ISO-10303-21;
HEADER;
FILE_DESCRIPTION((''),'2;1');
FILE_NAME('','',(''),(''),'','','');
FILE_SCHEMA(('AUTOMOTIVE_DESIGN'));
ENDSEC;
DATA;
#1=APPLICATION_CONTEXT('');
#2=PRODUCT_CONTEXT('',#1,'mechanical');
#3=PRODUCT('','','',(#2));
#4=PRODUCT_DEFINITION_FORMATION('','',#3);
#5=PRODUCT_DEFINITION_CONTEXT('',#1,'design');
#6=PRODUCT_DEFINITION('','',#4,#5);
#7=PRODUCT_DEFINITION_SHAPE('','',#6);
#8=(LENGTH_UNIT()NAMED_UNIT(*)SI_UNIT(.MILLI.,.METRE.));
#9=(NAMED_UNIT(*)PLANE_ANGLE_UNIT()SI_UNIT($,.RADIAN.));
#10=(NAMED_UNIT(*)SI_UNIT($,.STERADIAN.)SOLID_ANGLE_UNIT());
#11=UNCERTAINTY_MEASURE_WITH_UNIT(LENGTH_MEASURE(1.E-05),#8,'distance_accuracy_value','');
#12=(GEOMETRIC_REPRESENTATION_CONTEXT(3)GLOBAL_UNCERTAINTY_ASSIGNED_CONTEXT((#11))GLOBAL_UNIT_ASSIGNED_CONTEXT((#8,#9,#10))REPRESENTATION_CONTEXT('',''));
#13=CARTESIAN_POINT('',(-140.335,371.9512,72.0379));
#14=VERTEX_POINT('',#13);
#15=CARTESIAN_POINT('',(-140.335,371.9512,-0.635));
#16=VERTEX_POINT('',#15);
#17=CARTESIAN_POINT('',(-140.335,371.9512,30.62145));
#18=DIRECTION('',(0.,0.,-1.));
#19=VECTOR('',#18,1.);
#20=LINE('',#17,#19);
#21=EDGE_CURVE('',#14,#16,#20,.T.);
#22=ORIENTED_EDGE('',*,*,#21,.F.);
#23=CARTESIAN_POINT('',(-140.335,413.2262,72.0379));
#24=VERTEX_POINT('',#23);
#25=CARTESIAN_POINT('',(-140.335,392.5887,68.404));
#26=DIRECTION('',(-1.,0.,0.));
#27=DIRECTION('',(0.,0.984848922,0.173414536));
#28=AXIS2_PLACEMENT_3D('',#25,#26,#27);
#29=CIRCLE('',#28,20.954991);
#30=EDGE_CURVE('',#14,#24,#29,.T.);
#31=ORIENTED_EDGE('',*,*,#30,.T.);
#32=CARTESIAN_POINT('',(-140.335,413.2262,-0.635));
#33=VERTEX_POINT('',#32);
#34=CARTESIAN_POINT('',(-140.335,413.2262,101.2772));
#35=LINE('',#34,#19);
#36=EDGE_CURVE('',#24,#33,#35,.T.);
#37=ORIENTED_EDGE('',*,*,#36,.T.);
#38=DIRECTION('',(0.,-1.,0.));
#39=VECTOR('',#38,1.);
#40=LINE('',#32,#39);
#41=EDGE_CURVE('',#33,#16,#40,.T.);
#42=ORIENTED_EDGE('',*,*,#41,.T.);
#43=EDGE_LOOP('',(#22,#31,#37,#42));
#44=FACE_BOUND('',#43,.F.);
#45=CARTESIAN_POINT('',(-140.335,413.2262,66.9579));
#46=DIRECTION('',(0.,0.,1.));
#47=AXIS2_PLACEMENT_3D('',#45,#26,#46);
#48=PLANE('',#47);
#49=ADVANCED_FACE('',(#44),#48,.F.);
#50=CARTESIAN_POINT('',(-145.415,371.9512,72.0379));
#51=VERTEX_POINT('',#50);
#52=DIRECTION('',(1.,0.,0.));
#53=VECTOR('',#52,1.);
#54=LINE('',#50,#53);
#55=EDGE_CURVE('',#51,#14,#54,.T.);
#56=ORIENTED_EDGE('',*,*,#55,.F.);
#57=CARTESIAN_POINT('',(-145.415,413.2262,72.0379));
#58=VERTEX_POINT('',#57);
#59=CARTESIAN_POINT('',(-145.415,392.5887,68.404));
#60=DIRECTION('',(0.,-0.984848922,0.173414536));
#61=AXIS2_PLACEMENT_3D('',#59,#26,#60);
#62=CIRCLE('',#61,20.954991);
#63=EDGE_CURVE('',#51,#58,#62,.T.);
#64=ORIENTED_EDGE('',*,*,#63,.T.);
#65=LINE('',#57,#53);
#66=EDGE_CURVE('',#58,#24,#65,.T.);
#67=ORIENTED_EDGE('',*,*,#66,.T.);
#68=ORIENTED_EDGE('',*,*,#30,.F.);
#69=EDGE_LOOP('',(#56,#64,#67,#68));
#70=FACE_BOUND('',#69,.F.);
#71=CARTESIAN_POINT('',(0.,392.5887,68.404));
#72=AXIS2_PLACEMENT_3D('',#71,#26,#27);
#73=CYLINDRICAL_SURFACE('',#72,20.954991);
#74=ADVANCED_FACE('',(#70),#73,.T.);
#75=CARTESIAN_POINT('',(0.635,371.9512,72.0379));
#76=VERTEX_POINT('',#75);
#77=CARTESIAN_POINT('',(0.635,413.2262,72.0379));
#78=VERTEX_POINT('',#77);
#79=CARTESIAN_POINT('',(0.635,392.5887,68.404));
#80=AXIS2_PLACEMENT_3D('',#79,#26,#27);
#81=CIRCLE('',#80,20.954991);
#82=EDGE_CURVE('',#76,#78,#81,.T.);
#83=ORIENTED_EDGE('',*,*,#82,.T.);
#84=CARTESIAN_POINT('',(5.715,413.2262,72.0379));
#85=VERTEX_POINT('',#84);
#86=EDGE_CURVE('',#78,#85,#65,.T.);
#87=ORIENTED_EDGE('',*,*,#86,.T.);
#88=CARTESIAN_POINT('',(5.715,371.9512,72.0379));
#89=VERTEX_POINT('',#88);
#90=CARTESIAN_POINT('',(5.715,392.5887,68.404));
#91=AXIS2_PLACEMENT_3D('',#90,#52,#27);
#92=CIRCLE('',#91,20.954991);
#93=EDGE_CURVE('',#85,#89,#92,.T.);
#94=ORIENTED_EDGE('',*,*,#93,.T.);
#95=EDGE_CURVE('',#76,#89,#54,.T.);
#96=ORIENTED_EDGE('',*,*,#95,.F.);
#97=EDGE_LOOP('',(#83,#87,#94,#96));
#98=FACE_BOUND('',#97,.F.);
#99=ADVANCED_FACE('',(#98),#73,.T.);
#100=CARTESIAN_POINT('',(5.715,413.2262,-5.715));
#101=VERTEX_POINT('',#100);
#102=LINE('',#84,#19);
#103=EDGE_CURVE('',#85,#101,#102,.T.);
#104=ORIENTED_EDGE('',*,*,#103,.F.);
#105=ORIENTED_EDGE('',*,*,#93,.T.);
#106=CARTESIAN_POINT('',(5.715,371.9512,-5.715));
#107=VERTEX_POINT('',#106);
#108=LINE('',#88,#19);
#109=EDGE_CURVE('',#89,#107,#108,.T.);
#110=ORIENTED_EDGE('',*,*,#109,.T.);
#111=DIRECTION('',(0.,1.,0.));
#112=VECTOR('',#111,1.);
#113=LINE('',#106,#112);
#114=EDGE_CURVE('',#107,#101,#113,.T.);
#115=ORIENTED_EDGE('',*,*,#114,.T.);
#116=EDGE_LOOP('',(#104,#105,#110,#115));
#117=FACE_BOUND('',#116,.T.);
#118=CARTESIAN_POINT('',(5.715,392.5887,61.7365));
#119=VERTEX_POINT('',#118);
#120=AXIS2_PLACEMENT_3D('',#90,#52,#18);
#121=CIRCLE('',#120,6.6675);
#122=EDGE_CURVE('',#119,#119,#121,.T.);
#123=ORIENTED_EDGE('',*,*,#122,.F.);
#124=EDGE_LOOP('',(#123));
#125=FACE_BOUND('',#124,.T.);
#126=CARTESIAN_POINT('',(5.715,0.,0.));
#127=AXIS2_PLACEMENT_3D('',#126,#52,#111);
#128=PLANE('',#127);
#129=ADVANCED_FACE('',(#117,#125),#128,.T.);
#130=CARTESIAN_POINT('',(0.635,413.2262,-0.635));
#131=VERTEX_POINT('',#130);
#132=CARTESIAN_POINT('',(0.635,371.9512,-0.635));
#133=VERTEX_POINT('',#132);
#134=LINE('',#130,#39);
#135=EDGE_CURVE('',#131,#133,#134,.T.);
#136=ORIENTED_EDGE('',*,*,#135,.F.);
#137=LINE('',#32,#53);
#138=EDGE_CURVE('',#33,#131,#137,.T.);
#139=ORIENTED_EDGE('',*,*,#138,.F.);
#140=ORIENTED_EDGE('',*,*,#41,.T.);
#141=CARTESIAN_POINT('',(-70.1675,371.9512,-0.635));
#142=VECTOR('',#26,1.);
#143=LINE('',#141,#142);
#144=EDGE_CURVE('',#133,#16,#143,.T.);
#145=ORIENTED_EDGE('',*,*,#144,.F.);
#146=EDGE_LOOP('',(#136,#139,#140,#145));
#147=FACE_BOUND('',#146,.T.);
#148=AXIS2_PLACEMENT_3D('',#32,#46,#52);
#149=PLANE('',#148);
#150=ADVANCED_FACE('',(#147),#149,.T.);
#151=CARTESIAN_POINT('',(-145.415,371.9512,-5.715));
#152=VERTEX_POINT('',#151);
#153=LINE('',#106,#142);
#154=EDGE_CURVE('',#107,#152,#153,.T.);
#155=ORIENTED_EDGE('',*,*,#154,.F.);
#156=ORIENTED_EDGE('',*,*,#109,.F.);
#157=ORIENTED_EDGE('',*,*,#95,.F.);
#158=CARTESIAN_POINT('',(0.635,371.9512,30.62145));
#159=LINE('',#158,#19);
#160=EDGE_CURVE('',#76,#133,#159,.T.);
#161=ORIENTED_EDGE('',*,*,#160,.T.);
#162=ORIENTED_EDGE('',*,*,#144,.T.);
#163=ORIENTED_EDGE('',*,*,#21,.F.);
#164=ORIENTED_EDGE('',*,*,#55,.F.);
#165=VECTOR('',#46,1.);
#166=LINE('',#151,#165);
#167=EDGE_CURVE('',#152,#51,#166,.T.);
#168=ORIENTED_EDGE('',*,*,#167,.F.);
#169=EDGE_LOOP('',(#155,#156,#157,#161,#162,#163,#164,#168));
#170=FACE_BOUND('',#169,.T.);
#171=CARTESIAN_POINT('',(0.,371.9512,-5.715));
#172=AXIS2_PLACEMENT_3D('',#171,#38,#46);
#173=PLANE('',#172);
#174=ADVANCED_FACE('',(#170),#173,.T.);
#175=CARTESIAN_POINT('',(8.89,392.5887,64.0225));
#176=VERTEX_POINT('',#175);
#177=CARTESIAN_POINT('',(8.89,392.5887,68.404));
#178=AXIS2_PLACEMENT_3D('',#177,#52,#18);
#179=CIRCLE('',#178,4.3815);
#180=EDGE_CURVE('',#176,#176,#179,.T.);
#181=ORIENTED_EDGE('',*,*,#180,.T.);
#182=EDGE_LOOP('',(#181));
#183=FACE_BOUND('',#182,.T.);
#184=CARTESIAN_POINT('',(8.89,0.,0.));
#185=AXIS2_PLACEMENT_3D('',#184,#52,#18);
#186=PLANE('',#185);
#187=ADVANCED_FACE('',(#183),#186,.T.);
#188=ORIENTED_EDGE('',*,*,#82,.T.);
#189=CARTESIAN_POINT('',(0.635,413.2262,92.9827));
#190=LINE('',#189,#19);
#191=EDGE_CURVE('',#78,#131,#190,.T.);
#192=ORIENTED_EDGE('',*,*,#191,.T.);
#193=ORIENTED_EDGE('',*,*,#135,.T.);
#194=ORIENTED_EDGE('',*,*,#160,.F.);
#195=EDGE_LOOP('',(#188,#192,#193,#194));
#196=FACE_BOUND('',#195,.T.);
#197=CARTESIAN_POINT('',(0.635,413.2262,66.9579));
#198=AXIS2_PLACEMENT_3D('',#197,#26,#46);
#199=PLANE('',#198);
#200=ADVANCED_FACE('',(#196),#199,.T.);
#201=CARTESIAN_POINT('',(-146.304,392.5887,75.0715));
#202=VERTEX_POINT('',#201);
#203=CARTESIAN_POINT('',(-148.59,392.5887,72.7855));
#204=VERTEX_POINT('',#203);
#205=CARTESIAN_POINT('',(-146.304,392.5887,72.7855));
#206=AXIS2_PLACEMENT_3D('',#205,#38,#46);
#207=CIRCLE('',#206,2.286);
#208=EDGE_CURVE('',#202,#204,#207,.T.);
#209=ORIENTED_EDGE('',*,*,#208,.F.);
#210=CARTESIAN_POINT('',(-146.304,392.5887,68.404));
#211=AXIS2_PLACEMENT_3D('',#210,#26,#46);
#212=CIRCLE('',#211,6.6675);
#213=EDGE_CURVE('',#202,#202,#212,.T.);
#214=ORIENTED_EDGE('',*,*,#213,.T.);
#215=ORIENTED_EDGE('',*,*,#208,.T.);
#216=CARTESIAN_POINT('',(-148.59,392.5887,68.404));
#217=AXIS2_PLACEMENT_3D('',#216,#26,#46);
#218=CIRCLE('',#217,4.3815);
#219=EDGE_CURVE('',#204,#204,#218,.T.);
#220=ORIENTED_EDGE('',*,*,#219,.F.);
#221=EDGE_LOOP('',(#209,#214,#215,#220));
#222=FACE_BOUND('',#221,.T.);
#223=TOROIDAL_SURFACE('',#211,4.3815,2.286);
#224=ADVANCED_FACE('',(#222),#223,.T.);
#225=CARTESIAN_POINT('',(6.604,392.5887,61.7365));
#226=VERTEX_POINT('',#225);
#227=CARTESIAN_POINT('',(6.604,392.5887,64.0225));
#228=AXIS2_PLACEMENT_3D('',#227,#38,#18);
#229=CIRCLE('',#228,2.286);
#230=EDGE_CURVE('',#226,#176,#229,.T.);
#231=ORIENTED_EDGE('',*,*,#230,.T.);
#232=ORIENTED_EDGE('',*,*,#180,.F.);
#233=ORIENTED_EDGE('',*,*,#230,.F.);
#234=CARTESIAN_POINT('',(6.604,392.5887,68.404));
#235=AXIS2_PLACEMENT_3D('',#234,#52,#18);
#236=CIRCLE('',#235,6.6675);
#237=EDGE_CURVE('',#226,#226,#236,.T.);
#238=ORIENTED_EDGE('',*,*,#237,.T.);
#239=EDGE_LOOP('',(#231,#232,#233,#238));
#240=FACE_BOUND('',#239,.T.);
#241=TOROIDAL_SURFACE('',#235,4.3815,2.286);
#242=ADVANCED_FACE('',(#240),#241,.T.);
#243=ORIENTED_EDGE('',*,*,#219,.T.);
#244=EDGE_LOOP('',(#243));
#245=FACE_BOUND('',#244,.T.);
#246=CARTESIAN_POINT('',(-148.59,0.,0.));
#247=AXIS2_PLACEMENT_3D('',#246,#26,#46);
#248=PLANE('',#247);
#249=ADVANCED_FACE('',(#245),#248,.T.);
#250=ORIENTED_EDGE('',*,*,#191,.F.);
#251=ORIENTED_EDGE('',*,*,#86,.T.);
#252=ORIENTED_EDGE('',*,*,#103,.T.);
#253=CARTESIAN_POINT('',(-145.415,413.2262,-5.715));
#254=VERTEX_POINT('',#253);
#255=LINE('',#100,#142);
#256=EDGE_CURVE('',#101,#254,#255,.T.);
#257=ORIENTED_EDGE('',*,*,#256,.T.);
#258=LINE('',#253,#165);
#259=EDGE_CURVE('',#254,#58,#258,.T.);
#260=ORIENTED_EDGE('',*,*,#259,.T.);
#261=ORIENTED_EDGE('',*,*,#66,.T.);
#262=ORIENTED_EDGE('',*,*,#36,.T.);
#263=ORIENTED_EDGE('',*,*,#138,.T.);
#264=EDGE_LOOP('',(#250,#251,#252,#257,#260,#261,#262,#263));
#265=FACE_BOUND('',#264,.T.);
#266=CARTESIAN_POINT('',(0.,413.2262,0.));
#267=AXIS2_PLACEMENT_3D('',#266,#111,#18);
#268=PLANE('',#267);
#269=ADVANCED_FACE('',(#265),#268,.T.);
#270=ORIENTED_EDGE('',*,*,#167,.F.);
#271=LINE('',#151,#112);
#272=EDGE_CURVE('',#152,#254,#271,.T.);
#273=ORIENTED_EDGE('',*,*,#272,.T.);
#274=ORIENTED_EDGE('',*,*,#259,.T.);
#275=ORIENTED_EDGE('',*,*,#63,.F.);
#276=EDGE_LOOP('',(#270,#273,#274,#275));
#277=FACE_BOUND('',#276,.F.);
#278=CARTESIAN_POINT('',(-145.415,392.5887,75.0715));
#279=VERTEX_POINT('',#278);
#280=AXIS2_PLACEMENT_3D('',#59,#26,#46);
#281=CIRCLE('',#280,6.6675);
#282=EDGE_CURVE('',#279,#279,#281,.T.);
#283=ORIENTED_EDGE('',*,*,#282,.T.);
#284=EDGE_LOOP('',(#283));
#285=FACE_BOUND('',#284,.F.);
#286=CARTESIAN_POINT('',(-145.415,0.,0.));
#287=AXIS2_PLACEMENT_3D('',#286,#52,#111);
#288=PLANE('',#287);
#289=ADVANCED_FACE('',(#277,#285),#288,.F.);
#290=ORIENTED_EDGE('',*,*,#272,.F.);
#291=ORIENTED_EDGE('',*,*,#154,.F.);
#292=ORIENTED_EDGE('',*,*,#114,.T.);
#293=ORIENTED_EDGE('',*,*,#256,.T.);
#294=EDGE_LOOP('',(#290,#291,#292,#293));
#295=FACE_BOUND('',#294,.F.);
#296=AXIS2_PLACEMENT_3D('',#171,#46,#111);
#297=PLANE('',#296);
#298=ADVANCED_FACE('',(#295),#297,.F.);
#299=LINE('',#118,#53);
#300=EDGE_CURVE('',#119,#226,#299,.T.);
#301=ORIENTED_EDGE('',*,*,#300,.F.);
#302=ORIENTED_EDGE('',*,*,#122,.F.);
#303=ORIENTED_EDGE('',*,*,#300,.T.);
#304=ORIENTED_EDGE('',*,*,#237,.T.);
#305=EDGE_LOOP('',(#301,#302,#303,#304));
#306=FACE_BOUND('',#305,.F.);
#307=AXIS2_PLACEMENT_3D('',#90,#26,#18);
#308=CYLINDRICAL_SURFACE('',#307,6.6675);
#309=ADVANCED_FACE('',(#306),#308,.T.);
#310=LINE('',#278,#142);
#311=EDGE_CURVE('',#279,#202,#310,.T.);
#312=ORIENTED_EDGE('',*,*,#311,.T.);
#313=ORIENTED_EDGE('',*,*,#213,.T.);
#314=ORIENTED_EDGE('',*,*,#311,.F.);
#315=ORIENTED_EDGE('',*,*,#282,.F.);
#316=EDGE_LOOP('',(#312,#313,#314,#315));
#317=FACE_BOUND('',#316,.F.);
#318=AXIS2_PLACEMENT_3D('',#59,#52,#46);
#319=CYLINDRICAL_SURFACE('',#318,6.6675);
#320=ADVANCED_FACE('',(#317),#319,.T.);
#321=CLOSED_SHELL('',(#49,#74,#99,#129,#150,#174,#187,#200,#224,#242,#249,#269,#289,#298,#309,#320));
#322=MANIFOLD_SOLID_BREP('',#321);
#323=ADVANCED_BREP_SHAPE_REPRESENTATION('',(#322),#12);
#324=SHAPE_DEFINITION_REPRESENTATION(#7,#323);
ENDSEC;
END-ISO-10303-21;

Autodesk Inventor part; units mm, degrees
ref_plane "YZ Plane" through (0, 0, 0) normal (1, 0, 0) x (0, 1, 0)
ref_plane "XZ Plane" through (0, 0, 0) normal (0, 1, 0) x (-1, 0, 0)
ref_plane "XY Plane" through (0, 0, 0) normal (0, 0, 1) x (1, 0, 0)
sketch "Sketch1" plane through (0, 0, 0) normal (1, 0, 0) x (0, 1, 0)
  line L0 (920.75, 0) -> (0, 0)
  line L1 (0, 0) -> (920.75, 0)
  line L2 (-297.6389, 409.8513) -> (2710.7909, 409.8513) construction
  line L3 (2710.7909, 409.8513) -> (2710.7909, -1716.9746) construction
  line L4 (2710.7909, -1716.9746) -> (-297.6389, -1716.9746) construction
  line L5 (-297.6389, -1716.9746) -> (-297.6389, 409.8513) construction
  line L6 (0, 0) -> (920.75, 0)
  line L7 (920.75, 0) -> (920.75, 100.33)
  line L8 (0, 100.33) -> (920.75, 100.33)
  line L9 (0, 0) -> (0, 100.33)
  line L10 (0, 100.33) -> (0, 120.65)
  line L11 (0, 120.65) -> (920.75, 120.65)
  line L12 (920.75, 120.65) -> (920.75, 100.33)
  line L13 (0, 120.65) -> (0, 196.85)
  line L14 (920.75, 196.85) -> (920.75, 120.65)
  line L15 (477.9962, 0) -> (477.9962, -13.97)
  line L16 (477.9962, -13.97) -> (434.8162, -13.97)
  line L17 (434.8162, -13.97) -> (434.8162, 0)
  line L18 (133.294, 0) -> (133.294, -13.97)
  line L19 (133.294, -13.97) -> (90.114, -13.97)
  line L20 (90.114, -13.97) -> (90.114, 0)
  line L21 (769.0257, 0) -> (769.0257, -13.97)
  line L22 (769.0257, -13.97) -> (812.2057, -13.97)
  line L23 (812.2057, -13.97) -> (812.2057, 0)
  line L24 (434.8162, -13.97) -> (477.9962, -13.97)
  line L25 (769.0257, -13.97) -> (812.2057, -13.97)
  line L26 (90.114, -13.97) -> (133.294, -13.97)
  line L27 (90.114, -13.97) -> (111.704, -13.97)
  line L28 (111.704, -13.97) -> (100.909, -13.97)
  line L29 (100.909, -13.97) -> (122.499, -13.97)
  line L30 (122.499, -13.97) -> (122.499, -33.02)
  line L31 (122.499, -33.02) -> (100.909, -33.02)
  line L32 (100.909, -33.02) -> (100.909, -13.97)
  line L33 (434.8162, -13.97) -> (456.4062, -13.97)
  line L34 (456.4062, -13.97) -> (445.6112, -13.97)
  line L35 (445.6112, -13.97) -> (467.2012, -13.97)
  line L36 (467.2012, -13.97) -> (467.2012, -33.02)
  line L37 (467.2012, -33.02) -> (445.6112, -33.02)
  line L38 (445.6112, -33.02) -> (445.6112, -13.97)
  line L39 (769.0257, -13.97) -> (790.6157, -13.97)
  line L40 (790.6157, -13.97) -> (779.8207, -13.97)
  line L41 (779.8207, -13.97) -> (801.4107, -13.97)
  line L42 (801.4107, -13.97) -> (801.4107, -33.02)
  line L43 (801.4107, -33.02) -> (779.8207, -33.02)
  line L44 (779.8207, -33.02) -> (779.8207, -13.97)
  line L45 (434.8162, 0) -> (413.2262, 0)
  line L46 (413.2262, 0) -> (413.2262, -11.43)
  line L47 (413.2262, -11.43) -> (371.9512, -11.43)
  line L48 (371.9512, -11.43) -> (371.9512, 64.77)
  arc A0 (413.2262, 72.0379) -> (371.9512, 72.0379) centre (392.5887, 68.404) ccw
  line L49 (413.2262, 0) -> (413.2262, 64.77)
  line L50 (371.9512, 64.77) -> (371.9512, 72.0379)
  line L51 (413.2262, 64.77) -> (413.2262, 72.0379)
  line L52 (434.8162, -13.97) -> (434.8162, 202.565)
  line L53 (477.9962, -13.97) -> (477.9962, 202.565)
  line L54 (769.0257, -13.97) -> (769.0257, 202.565)
  line L55 (812.2057, -13.97) -> (812.2057, 202.565)
  line L56 (812.2057, 202.565) -> (769.0257, 202.565)
  line L57 (477.9962, 202.565) -> (434.8162, 202.565)
  line L58 (133.294, -13.97) -> (133.294, 182.245)
  line L59 (90.114, -13.97) -> (90.114, 182.245)
  line L60 (90.114, 182.245) -> (133.294, 182.245)
  line L61 (67.3834, 182.245) -> (164.6776, 182.245)
  line L62 (413.2262, 202.565) -> (508.4774, 202.565)
  line L63 (745.5808, 202.565) -> (847.3717, 202.565)
  line L64 (67.3834, 161.925) -> (164.6776, 161.925)
  line L65 (413.2262, 182.245) -> (508.4774, 182.245)
  line L66 (745.5808, 182.245) -> (847.3717, 182.245)
  line L67 (133.294, -13.97) -> (133.294, 78.74)
  line L68 (133.294, 78.74) -> (434.8162, 78.74)
  line L69 (133.294, -13.97) -> (133.294, 26.67)
  line L70 (133.294, 26.67) -> (371.9512, 26.67)
  line L71 (133.294, 26.67) -> (298.394, 26.67)
  line L72 (298.394, 26.67) -> (317.7759, 78.74)
  line L73 (133.294, 78.74) -> (133.294, 59.055)
  line L74 (133.294, 59.055) -> (310.4486, 59.055)
  line L75 (371.9512, 0) -> (371.9512, -5.715)
  line L76 (371.9512, -5.715) -> (413.2262, -5.715)
  dimension "d0" = 920.75
  dimension "d1" = 20.32
  dimension "d2" = 76.2
  dimension "d3" = 13.97
  dimension "d4" = 43.18
  dimension "d5" = 13.97
  dimension "d6" = 43.18
  dimension "d7" = 13.97
  dimension "d8" = 13.97
  dimension "d9" = 43.18
  dimension "d10" = 21.59
  dimension "d11" = 19.05
  dimension "d12" = 21.59
  dimension "d13" = 19.05
  dimension "d14" = 21.59
  dimension "d15" = 19.05
  dimension "d16" = 21.59
  dimension "d17" = 11.43
  dimension "d18" = 41.275
  dimension "d19" = 76.2
  dimension "d20" = 20.955
  dimension "d21" = 216.535
  dimension "d22" = 216.535
  dimension "d23" = 216.535
  dimension "d24" = 216.535
  dimension "d25" = 196.215
  dimension "d26" = 20.32
  dimension "d27" = 20.32
  dimension "d28" = 20.32
  dimension "d29" = 92.71
  dimension "d30" = 40.64
  dimension "d31" = 165.1
  dimension "d32" = 19.685
extrude "Extrusion1" add sketch "Sketch1" along normal blind 5.715 and the other way blind 145.415 contours L46 L76 L48 L0 | L0 L48 L50 A0 L68 L51 L49 | L68 A0
sketch "Sketch2" plane through (-145.415, 413.2262, 72.0379) normal (0, 1, 0) x (1, 0, 0)
  line L0 (0, 0) -> (151.13, 0) projected
  line L1 (151.13, 77.7529) -> (151.13, 0) projected
  line L2 (0, 77.7529) -> (151.13, 77.7529) projected
  line L3 (0, 0) -> (0, 77.7529) projected
  line L4 (144.145, 70.7679) -> (144.145, 6.985)
  line L5 (144.145, 6.985) -> (6.985, 6.985)
  line L6 (6.985, 6.985) -> (6.985, 70.7679)
  line L7 (6.985, 70.7679) -> (144.145, 70.7679)
  line L8 (146.05, 72.6729) -> (146.05, 5.08)
  line L9 (146.05, 5.08) -> (5.08, 5.08)
  line L10 (5.08, 5.08) -> (5.08, 72.6729)
  line L11 (5.08, 72.6729) -> (146.05, 72.6729)
  line L12 (146.05, 5.08) -> (146.05, -20.9448)
  line L13 (146.05, 5.08) -> (172.0748, 5.08) construction
  line L14 (5.08, 5.08) -> (5.08, -29.2393)
  line L15 (5.08, -29.2393) -> (146.05, -20.9448)
  point P0 (145.415, 72.0379)
  dimension "d39" = 6.985
  dimension "d40" = 1.905
  dimension "d41" = 90
extrude "Extrusion2" cut sketch "Sketch2" against normal through all contours L14 L9 L12 L0 | L0 L12 L15 L14 | L10 L11 L8 L9 | L4 L5 L6 L7
sketch "Sketch3" plane through (5.715, 0, 0) normal (1, 0, 0) x (0, 0, -1)
  arc A0 (-72.0379, 413.2262) -> (-72.0379, 371.9512) centre (-68.404, 392.5887) ccw projected
  circle A1 centre (-68.404, 392.5887) radius 6.6675
  point P0 (0, 0)
  dimension "d44" = 13.335
sketch "Sketch4" plane through (-145.415, 0, 0) normal (-1, 0, 0) x (0, 0, 1)
  circle A0 centre (68.404, 392.5887) radius 6.6675 projected
  circle A1 centre (68.404, 392.5887) radius 6.6675
  point P0 (0, 0)
extrude "Extrusion3" add sketch "Sketch4" along normal blind 3.175
extrude "Extrusion4" add sketch "Sketch3" along normal blind 3.175
fillet "Fillet1" radius 2.286 2 edges at (8.89, 392.5887, 75.0715) (-148.59, 392.5887, 61.7365)
sketch "Sketch5" plane through (5.715, 0, 0) normal (1, 0, 0) x (0, 0, -1)
  arc A0 (-72.0379, 413.2262) -> (-72.0379, 371.9512) centre (-68.404, 392.5887) ccw projected
  line L0 (-89.359, 392.5887) -> (-89.359, 351.6635)
  line L1 (5.715, 371.9512) -> (5.715, 413.2262) projected
  line L2 (-72.0379, 371.9512) -> (5.715, 371.9512) projected
  line L3 (5.715, 413.2262) -> (-72.0379, 413.2262) projected
  point P0 (0, 0)
  dimension "d50" = 95.0739
  dimension "d51" = 41.275
sketch "Sketch6" plane through (5.715, 413.2262, -5.715) normal (0, 0, -1) x (-1, 0, 0)
  line L0 (154.305, -16.256) -> (154.305, -25.019) projected
  line L1 (-3.175, -25.019) -> (-3.175, -16.256) projected
  point P0 (5.715, -413.2262)
  dimension "d52" = 157.48
properties part number "small side peice"
